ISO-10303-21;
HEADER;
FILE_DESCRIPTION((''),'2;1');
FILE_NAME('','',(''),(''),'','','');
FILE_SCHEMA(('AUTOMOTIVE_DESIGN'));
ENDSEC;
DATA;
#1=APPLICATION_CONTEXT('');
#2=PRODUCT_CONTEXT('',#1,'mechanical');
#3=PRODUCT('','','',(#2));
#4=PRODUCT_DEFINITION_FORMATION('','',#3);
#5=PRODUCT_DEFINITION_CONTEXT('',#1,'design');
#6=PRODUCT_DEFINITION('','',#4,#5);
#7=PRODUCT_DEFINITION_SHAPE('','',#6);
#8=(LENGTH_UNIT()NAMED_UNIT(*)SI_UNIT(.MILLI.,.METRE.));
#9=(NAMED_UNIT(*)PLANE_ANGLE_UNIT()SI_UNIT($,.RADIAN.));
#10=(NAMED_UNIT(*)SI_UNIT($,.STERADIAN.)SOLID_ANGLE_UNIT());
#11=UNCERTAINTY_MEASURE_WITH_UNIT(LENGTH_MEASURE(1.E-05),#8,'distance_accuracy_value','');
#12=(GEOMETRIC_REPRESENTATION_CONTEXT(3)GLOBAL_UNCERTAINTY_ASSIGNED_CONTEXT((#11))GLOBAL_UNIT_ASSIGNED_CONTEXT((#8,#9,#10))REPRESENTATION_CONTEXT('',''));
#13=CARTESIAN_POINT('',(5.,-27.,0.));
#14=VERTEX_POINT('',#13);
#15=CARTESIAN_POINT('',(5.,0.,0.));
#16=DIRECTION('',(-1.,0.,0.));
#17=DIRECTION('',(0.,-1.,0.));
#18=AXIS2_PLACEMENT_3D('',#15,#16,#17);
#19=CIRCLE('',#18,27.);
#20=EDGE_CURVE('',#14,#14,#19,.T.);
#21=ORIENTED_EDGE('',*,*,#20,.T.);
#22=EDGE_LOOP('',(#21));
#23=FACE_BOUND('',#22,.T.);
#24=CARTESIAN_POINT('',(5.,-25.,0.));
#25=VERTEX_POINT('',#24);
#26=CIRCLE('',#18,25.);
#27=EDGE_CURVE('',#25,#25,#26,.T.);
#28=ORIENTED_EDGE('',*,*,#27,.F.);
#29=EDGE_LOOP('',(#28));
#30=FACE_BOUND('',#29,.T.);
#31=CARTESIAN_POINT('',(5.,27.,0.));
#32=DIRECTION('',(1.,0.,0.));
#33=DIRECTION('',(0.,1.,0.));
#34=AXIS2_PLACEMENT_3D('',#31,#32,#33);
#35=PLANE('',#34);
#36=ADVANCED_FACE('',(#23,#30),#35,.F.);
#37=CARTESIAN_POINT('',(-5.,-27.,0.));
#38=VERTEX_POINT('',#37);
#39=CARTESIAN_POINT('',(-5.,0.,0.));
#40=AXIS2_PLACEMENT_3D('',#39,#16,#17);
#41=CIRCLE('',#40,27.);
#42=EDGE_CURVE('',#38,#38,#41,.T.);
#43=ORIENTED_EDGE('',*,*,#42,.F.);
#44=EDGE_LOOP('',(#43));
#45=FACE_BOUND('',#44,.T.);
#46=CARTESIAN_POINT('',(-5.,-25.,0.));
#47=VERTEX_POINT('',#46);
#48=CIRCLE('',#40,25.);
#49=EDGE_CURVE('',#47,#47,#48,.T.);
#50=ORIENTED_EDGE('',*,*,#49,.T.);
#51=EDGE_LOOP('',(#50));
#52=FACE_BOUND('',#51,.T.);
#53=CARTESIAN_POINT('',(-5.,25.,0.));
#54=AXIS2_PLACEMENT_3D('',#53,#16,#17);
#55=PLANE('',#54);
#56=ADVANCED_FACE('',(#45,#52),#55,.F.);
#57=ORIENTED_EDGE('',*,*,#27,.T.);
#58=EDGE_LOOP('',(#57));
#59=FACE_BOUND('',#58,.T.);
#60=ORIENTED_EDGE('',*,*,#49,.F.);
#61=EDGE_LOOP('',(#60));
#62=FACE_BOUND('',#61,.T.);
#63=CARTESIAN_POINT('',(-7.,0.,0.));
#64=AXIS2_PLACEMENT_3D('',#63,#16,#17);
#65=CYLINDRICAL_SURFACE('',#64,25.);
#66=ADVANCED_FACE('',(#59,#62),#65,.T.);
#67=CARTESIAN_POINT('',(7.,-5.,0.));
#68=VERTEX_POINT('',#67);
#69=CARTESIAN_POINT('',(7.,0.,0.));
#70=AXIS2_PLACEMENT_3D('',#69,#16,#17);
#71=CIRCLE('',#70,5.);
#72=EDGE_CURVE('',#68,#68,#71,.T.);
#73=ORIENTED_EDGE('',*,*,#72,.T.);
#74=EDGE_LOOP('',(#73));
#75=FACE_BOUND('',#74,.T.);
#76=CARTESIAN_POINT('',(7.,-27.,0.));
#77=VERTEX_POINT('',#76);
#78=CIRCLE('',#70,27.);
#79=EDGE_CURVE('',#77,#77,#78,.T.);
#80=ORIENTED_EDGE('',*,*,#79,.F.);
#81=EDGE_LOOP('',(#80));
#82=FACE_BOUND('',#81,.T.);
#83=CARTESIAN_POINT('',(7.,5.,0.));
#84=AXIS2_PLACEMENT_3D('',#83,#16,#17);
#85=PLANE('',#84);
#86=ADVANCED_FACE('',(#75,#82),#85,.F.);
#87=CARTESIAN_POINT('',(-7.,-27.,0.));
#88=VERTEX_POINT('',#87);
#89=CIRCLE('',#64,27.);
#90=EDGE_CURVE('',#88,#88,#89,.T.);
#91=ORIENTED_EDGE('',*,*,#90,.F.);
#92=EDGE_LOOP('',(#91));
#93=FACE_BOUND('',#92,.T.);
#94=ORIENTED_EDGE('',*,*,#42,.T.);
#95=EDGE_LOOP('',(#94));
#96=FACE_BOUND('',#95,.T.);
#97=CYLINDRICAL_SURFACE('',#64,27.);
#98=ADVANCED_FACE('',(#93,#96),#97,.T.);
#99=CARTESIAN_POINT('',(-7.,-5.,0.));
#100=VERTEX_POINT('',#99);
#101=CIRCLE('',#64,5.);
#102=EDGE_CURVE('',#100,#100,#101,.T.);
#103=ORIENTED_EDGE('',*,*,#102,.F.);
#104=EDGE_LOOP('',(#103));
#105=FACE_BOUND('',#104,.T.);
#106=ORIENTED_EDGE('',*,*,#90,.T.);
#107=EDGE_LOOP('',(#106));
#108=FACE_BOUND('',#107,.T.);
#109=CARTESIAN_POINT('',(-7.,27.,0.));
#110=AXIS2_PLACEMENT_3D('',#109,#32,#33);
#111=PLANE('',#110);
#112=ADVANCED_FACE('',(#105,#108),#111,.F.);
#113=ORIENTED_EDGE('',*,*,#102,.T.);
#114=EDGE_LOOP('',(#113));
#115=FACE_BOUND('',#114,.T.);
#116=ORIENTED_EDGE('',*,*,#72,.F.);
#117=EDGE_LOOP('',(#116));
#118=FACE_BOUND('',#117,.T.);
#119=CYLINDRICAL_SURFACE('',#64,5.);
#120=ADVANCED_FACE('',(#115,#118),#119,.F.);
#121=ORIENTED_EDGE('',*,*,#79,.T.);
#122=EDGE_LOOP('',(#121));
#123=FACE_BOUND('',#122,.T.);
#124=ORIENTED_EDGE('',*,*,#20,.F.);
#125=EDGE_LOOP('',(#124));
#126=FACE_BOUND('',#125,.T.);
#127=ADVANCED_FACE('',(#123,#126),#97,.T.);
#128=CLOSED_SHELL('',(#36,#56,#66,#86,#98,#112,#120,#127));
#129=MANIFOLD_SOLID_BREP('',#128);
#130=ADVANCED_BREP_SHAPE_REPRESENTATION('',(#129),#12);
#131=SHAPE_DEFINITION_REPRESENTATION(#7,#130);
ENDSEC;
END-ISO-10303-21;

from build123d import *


with BuildPart() as part:
    # Sketch1 → Revolve1 (revolve)
    with BuildSketch(Plane.XY, mode=Mode.PRIVATE) as revolve1_sk:
        Polygon((7, 5), (7, 27), (5, 27), (5, 25), (-5, 25), (-5, 27), (-7, 27), (-7, 5), align=None)
    revolve(revolve1_sk.sketch.rotate(Axis((-7, 0, 0), (1, 0, 0)), 180), axis=Axis((-7, 0, 0), (1, 0, 0)))


solid = part.part
